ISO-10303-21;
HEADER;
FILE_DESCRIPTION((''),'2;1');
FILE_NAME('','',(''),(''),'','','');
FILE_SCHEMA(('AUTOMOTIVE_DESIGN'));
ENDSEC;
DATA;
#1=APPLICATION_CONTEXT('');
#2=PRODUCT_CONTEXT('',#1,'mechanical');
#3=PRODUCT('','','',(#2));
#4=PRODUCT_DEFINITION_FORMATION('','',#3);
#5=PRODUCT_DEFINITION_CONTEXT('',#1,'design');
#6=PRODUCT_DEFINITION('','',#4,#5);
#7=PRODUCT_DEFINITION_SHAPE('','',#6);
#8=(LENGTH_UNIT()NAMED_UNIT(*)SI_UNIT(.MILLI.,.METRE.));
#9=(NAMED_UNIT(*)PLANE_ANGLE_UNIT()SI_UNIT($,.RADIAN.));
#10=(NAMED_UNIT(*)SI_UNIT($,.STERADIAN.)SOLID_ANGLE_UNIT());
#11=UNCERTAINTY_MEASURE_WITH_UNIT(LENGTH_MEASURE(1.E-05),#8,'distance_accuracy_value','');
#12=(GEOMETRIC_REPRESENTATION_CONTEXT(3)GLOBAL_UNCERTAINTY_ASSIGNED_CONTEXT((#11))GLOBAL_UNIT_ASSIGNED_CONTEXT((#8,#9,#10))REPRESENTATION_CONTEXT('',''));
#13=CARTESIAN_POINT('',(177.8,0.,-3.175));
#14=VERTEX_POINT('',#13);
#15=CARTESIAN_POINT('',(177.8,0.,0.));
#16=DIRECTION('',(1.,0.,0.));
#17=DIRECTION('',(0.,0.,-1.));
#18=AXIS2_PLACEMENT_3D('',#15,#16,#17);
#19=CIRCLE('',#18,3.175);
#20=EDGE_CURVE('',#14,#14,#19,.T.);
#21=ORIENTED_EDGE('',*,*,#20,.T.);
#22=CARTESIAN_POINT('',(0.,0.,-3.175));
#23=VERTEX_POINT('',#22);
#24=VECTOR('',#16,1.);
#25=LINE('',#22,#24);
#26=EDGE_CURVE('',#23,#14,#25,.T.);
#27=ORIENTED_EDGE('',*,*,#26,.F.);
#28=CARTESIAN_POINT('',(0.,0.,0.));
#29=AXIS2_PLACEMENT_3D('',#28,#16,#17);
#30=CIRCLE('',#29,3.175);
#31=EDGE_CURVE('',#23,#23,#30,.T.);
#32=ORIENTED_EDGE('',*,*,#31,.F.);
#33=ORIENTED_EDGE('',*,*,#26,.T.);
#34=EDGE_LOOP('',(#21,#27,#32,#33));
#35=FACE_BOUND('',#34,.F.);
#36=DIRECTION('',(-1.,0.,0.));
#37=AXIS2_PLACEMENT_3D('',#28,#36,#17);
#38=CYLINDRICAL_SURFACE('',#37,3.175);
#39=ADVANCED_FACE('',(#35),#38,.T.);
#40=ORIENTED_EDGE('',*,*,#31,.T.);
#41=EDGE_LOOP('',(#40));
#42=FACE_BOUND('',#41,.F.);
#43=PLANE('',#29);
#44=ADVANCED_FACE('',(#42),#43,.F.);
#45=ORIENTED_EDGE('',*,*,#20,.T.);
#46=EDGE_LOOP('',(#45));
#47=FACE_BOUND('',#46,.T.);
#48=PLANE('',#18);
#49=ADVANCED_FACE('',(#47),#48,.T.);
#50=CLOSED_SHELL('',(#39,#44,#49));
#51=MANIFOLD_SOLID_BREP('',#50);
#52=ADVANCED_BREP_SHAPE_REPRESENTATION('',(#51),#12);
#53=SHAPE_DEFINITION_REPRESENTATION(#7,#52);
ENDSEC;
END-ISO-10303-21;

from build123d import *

# Parameters (mm, degrees)
SKETCH1_R           = 3.175
BOSS_EXTRUDE1_DEPTH = 177.8


with BuildPart() as part:
    # Sketch1 → Boss-Extrude1 (new body)
    with BuildSketch(Plane(origin=(0, 0, 0), x_dir=(0, 0, -1), z_dir=(1, 0, 0))):
        Circle(SKETCH1_R)
    extrude(amount=BOSS_EXTRUDE1_DEPTH)


solid = part.part
